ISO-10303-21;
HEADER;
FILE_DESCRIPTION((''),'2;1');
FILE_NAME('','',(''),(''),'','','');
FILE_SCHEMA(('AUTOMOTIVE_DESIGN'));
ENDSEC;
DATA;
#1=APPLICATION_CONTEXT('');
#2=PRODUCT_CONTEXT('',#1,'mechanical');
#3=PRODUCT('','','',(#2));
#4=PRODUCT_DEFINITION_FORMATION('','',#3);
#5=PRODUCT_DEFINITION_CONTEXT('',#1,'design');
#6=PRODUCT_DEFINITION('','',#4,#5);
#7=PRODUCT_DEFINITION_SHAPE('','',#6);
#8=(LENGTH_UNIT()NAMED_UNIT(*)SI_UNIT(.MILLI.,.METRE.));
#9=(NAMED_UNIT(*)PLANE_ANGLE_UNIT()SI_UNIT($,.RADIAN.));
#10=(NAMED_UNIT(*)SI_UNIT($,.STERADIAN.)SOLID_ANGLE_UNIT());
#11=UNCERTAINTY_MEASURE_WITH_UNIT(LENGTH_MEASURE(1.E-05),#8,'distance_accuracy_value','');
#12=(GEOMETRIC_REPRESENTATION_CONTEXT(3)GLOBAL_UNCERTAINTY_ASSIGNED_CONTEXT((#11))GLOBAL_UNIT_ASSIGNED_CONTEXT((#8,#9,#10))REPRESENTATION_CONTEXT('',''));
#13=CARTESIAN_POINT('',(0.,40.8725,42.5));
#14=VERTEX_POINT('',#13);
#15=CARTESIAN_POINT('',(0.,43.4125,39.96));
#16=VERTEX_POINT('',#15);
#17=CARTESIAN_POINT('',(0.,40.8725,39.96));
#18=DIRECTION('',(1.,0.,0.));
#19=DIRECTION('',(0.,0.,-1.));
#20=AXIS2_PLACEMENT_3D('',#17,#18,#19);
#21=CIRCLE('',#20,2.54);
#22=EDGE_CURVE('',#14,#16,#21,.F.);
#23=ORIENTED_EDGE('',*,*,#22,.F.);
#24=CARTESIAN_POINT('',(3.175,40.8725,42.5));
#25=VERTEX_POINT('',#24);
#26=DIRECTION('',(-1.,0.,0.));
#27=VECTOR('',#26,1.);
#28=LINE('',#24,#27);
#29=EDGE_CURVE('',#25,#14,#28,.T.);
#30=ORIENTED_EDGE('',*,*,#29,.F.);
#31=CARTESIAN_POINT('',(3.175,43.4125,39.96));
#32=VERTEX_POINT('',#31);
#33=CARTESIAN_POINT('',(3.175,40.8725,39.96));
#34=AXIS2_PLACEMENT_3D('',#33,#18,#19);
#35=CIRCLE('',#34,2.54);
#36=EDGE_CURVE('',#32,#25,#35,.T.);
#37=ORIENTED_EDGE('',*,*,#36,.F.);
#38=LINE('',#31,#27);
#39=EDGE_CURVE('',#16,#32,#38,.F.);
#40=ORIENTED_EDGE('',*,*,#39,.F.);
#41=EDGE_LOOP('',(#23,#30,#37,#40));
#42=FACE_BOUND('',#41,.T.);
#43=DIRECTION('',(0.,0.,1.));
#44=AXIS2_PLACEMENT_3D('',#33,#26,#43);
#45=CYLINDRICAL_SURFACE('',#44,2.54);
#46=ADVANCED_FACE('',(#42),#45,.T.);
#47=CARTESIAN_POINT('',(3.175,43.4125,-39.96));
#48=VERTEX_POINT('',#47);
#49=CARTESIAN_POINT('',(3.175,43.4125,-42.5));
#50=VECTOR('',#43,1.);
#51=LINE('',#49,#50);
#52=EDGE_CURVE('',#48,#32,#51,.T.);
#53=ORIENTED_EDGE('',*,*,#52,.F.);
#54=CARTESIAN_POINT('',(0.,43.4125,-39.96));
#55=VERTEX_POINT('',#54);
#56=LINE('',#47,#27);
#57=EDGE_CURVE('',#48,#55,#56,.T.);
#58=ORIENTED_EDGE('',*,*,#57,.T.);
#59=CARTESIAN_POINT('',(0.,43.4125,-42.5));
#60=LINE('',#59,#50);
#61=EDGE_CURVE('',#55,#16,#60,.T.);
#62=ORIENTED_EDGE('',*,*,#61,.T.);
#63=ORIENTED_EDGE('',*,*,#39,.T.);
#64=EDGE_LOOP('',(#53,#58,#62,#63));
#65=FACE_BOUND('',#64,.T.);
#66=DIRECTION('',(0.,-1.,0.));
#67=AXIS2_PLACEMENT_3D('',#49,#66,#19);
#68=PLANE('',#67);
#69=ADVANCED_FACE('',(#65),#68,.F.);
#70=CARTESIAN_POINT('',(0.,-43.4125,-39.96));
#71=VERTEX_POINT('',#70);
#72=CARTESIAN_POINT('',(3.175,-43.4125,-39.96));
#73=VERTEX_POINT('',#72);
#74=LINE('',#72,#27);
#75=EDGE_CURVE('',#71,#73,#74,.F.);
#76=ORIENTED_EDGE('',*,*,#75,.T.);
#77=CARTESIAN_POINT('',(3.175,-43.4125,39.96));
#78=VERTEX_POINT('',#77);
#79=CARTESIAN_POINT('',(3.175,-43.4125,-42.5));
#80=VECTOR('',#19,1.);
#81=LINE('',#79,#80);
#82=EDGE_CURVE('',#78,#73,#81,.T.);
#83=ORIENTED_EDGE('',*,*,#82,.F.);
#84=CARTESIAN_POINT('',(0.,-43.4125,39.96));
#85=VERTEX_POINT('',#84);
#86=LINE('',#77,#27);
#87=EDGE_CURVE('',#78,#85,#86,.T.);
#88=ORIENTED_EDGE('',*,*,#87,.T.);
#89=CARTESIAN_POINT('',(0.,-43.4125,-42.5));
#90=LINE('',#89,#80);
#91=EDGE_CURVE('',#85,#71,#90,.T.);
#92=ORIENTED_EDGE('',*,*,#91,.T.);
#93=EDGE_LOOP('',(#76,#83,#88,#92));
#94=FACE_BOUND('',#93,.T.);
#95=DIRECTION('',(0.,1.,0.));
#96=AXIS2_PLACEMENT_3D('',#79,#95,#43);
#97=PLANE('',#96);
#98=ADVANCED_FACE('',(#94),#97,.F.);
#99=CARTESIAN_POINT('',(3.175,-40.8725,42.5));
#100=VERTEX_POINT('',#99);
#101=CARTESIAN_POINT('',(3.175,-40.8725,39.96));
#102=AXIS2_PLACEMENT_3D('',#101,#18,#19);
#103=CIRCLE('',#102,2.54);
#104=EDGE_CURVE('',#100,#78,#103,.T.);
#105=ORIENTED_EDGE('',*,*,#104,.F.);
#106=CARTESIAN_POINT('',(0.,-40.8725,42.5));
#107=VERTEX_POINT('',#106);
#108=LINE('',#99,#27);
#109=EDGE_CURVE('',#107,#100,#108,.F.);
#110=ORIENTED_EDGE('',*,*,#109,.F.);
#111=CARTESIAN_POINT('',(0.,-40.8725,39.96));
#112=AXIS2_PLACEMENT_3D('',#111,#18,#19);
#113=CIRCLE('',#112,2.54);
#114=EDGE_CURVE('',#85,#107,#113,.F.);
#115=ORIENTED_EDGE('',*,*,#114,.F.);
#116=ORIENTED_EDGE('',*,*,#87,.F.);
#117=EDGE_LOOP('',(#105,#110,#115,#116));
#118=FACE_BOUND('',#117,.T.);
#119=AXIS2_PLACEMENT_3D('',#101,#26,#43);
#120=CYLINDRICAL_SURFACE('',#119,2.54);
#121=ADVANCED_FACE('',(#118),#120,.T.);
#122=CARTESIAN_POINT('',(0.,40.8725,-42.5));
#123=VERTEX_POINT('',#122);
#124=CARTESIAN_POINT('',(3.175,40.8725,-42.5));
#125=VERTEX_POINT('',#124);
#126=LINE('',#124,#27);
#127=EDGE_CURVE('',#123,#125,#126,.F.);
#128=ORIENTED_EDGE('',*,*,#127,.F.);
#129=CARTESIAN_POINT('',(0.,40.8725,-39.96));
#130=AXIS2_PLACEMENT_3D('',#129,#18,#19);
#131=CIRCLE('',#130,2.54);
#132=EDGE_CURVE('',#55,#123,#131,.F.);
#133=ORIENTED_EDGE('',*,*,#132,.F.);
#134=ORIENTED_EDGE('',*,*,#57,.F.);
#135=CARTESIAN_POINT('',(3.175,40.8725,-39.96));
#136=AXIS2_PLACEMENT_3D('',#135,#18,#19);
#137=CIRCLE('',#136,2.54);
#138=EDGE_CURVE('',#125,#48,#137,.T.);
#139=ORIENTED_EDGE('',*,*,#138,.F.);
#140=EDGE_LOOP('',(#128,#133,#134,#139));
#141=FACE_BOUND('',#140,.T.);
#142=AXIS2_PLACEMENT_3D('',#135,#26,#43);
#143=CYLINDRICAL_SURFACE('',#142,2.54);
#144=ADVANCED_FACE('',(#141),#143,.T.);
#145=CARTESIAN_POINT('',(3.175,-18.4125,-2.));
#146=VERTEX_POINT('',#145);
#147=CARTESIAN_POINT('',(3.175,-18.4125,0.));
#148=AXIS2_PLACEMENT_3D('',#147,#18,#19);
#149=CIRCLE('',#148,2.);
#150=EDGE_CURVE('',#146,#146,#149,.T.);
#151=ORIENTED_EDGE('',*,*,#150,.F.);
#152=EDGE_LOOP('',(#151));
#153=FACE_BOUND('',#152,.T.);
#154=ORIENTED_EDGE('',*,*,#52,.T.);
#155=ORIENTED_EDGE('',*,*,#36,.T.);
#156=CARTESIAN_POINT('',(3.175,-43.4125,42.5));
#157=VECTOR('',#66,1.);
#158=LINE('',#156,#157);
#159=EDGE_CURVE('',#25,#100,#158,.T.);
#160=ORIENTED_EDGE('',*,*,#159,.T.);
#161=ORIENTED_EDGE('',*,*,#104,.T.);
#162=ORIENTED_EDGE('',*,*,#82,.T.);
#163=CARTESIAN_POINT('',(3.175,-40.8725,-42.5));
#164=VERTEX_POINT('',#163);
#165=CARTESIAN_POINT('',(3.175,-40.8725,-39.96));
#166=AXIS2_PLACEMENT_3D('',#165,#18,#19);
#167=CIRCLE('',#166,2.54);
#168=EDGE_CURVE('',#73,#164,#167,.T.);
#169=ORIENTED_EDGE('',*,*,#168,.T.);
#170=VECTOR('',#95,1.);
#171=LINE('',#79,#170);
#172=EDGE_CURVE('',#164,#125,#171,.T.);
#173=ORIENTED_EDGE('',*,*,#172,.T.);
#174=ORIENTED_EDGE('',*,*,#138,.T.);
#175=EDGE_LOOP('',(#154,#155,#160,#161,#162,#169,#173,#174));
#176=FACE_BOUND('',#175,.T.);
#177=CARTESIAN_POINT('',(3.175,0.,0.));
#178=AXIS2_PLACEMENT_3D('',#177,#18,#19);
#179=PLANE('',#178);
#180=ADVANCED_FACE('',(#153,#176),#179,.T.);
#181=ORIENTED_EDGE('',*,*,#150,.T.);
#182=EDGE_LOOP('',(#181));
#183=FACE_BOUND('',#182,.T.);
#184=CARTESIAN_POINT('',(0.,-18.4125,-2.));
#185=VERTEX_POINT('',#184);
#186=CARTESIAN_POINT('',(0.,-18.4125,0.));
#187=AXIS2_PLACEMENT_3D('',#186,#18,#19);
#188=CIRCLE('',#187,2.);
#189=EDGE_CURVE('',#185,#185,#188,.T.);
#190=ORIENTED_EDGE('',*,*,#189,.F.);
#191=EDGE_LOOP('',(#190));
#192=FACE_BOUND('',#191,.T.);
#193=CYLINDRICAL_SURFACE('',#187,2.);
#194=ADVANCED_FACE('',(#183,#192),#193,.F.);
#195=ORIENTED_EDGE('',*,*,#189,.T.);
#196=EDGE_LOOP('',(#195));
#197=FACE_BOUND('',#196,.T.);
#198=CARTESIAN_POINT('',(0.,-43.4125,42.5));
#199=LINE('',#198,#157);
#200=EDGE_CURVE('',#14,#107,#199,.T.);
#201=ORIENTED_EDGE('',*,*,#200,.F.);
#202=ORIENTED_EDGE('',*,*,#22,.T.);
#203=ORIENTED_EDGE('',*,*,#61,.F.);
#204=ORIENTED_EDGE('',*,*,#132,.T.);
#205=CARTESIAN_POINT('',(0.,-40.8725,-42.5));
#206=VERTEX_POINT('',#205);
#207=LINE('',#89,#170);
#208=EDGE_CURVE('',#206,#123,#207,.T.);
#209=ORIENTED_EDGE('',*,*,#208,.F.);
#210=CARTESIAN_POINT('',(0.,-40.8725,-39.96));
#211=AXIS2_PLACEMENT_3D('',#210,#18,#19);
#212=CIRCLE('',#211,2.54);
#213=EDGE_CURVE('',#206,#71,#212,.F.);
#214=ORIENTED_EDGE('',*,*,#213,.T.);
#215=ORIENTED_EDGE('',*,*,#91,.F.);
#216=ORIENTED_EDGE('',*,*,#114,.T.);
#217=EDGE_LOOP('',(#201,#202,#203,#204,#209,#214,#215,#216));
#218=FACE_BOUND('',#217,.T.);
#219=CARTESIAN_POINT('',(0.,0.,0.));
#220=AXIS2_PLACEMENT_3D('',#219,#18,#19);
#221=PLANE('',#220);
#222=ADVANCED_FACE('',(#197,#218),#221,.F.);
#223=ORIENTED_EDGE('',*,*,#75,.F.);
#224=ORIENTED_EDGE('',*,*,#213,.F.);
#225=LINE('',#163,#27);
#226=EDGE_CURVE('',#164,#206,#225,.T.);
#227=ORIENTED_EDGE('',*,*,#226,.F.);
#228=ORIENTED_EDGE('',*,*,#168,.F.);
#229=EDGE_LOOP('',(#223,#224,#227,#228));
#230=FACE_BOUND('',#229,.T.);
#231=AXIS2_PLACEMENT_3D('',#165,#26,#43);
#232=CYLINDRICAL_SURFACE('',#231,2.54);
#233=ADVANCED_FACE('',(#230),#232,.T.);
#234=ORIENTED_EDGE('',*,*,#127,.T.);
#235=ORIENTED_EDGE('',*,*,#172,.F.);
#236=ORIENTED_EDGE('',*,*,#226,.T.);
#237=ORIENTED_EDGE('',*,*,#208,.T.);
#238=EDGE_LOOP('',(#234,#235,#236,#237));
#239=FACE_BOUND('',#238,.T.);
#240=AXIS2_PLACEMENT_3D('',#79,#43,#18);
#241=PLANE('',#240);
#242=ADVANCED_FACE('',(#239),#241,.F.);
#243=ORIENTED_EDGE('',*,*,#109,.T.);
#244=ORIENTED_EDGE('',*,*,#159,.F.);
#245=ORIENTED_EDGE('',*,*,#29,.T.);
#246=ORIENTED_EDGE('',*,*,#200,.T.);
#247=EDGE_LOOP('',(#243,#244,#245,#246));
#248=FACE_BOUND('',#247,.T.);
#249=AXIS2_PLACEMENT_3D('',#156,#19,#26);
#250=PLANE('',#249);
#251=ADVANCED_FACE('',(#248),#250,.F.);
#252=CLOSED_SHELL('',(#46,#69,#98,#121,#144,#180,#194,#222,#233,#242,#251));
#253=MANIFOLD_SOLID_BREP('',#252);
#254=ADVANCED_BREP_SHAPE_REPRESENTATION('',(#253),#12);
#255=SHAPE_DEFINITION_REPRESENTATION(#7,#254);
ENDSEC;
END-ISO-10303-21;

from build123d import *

# Parameters (mm, degrees)
SKETCH1_W           = 84.999999926
SKETCH1_H           = 86.825000086
BOSS_EXTRUDE1_DEPTH = 3.175
SKETCH2_R           = 2
CUT_EXTRUDE1_DEPTH  = 61.835645652
FILLET1_R           = 2.54


with BuildPart() as part:
    # Sketch1 → Boss-Extrude1 (new body)
    with BuildSketch(Plane(origin=(0, 0, 0), x_dir=(0, 0, -1), z_dir=(1, 0, 0))):
        Rectangle(SKETCH1_W, SKETCH1_H)
    extrude(amount=BOSS_EXTRUDE1_DEPTH)

    # Sketch2 → Cut-Extrude1 (cut, through all)
    with BuildSketch(Plane(origin=(3.175, 0, 0), x_dir=(0, 0, -1), z_dir=(1, 0, 0))):
        with Locations((3.7e-08, -18.412500043)):
            Circle(SKETCH2_R)
    extrude(amount=-CUT_EXTRUDE1_DEPTH, mode=Mode.SUBTRACT)

    # Fillet1
    fillet1_edges = [part.edges().sort_by_distance(p)[0] for p in [
        (1.5875, 43.412500043, 42.499999963),
        (1.5875, 43.412500043, -42.499999963),
        (1.5875, -43.412500043, -42.499999963),
        (1.5875, -43.412500043, 42.499999963),
    ]]
    fillet(fillet1_edges, radius=FILLET1_R)


solid = part.part
